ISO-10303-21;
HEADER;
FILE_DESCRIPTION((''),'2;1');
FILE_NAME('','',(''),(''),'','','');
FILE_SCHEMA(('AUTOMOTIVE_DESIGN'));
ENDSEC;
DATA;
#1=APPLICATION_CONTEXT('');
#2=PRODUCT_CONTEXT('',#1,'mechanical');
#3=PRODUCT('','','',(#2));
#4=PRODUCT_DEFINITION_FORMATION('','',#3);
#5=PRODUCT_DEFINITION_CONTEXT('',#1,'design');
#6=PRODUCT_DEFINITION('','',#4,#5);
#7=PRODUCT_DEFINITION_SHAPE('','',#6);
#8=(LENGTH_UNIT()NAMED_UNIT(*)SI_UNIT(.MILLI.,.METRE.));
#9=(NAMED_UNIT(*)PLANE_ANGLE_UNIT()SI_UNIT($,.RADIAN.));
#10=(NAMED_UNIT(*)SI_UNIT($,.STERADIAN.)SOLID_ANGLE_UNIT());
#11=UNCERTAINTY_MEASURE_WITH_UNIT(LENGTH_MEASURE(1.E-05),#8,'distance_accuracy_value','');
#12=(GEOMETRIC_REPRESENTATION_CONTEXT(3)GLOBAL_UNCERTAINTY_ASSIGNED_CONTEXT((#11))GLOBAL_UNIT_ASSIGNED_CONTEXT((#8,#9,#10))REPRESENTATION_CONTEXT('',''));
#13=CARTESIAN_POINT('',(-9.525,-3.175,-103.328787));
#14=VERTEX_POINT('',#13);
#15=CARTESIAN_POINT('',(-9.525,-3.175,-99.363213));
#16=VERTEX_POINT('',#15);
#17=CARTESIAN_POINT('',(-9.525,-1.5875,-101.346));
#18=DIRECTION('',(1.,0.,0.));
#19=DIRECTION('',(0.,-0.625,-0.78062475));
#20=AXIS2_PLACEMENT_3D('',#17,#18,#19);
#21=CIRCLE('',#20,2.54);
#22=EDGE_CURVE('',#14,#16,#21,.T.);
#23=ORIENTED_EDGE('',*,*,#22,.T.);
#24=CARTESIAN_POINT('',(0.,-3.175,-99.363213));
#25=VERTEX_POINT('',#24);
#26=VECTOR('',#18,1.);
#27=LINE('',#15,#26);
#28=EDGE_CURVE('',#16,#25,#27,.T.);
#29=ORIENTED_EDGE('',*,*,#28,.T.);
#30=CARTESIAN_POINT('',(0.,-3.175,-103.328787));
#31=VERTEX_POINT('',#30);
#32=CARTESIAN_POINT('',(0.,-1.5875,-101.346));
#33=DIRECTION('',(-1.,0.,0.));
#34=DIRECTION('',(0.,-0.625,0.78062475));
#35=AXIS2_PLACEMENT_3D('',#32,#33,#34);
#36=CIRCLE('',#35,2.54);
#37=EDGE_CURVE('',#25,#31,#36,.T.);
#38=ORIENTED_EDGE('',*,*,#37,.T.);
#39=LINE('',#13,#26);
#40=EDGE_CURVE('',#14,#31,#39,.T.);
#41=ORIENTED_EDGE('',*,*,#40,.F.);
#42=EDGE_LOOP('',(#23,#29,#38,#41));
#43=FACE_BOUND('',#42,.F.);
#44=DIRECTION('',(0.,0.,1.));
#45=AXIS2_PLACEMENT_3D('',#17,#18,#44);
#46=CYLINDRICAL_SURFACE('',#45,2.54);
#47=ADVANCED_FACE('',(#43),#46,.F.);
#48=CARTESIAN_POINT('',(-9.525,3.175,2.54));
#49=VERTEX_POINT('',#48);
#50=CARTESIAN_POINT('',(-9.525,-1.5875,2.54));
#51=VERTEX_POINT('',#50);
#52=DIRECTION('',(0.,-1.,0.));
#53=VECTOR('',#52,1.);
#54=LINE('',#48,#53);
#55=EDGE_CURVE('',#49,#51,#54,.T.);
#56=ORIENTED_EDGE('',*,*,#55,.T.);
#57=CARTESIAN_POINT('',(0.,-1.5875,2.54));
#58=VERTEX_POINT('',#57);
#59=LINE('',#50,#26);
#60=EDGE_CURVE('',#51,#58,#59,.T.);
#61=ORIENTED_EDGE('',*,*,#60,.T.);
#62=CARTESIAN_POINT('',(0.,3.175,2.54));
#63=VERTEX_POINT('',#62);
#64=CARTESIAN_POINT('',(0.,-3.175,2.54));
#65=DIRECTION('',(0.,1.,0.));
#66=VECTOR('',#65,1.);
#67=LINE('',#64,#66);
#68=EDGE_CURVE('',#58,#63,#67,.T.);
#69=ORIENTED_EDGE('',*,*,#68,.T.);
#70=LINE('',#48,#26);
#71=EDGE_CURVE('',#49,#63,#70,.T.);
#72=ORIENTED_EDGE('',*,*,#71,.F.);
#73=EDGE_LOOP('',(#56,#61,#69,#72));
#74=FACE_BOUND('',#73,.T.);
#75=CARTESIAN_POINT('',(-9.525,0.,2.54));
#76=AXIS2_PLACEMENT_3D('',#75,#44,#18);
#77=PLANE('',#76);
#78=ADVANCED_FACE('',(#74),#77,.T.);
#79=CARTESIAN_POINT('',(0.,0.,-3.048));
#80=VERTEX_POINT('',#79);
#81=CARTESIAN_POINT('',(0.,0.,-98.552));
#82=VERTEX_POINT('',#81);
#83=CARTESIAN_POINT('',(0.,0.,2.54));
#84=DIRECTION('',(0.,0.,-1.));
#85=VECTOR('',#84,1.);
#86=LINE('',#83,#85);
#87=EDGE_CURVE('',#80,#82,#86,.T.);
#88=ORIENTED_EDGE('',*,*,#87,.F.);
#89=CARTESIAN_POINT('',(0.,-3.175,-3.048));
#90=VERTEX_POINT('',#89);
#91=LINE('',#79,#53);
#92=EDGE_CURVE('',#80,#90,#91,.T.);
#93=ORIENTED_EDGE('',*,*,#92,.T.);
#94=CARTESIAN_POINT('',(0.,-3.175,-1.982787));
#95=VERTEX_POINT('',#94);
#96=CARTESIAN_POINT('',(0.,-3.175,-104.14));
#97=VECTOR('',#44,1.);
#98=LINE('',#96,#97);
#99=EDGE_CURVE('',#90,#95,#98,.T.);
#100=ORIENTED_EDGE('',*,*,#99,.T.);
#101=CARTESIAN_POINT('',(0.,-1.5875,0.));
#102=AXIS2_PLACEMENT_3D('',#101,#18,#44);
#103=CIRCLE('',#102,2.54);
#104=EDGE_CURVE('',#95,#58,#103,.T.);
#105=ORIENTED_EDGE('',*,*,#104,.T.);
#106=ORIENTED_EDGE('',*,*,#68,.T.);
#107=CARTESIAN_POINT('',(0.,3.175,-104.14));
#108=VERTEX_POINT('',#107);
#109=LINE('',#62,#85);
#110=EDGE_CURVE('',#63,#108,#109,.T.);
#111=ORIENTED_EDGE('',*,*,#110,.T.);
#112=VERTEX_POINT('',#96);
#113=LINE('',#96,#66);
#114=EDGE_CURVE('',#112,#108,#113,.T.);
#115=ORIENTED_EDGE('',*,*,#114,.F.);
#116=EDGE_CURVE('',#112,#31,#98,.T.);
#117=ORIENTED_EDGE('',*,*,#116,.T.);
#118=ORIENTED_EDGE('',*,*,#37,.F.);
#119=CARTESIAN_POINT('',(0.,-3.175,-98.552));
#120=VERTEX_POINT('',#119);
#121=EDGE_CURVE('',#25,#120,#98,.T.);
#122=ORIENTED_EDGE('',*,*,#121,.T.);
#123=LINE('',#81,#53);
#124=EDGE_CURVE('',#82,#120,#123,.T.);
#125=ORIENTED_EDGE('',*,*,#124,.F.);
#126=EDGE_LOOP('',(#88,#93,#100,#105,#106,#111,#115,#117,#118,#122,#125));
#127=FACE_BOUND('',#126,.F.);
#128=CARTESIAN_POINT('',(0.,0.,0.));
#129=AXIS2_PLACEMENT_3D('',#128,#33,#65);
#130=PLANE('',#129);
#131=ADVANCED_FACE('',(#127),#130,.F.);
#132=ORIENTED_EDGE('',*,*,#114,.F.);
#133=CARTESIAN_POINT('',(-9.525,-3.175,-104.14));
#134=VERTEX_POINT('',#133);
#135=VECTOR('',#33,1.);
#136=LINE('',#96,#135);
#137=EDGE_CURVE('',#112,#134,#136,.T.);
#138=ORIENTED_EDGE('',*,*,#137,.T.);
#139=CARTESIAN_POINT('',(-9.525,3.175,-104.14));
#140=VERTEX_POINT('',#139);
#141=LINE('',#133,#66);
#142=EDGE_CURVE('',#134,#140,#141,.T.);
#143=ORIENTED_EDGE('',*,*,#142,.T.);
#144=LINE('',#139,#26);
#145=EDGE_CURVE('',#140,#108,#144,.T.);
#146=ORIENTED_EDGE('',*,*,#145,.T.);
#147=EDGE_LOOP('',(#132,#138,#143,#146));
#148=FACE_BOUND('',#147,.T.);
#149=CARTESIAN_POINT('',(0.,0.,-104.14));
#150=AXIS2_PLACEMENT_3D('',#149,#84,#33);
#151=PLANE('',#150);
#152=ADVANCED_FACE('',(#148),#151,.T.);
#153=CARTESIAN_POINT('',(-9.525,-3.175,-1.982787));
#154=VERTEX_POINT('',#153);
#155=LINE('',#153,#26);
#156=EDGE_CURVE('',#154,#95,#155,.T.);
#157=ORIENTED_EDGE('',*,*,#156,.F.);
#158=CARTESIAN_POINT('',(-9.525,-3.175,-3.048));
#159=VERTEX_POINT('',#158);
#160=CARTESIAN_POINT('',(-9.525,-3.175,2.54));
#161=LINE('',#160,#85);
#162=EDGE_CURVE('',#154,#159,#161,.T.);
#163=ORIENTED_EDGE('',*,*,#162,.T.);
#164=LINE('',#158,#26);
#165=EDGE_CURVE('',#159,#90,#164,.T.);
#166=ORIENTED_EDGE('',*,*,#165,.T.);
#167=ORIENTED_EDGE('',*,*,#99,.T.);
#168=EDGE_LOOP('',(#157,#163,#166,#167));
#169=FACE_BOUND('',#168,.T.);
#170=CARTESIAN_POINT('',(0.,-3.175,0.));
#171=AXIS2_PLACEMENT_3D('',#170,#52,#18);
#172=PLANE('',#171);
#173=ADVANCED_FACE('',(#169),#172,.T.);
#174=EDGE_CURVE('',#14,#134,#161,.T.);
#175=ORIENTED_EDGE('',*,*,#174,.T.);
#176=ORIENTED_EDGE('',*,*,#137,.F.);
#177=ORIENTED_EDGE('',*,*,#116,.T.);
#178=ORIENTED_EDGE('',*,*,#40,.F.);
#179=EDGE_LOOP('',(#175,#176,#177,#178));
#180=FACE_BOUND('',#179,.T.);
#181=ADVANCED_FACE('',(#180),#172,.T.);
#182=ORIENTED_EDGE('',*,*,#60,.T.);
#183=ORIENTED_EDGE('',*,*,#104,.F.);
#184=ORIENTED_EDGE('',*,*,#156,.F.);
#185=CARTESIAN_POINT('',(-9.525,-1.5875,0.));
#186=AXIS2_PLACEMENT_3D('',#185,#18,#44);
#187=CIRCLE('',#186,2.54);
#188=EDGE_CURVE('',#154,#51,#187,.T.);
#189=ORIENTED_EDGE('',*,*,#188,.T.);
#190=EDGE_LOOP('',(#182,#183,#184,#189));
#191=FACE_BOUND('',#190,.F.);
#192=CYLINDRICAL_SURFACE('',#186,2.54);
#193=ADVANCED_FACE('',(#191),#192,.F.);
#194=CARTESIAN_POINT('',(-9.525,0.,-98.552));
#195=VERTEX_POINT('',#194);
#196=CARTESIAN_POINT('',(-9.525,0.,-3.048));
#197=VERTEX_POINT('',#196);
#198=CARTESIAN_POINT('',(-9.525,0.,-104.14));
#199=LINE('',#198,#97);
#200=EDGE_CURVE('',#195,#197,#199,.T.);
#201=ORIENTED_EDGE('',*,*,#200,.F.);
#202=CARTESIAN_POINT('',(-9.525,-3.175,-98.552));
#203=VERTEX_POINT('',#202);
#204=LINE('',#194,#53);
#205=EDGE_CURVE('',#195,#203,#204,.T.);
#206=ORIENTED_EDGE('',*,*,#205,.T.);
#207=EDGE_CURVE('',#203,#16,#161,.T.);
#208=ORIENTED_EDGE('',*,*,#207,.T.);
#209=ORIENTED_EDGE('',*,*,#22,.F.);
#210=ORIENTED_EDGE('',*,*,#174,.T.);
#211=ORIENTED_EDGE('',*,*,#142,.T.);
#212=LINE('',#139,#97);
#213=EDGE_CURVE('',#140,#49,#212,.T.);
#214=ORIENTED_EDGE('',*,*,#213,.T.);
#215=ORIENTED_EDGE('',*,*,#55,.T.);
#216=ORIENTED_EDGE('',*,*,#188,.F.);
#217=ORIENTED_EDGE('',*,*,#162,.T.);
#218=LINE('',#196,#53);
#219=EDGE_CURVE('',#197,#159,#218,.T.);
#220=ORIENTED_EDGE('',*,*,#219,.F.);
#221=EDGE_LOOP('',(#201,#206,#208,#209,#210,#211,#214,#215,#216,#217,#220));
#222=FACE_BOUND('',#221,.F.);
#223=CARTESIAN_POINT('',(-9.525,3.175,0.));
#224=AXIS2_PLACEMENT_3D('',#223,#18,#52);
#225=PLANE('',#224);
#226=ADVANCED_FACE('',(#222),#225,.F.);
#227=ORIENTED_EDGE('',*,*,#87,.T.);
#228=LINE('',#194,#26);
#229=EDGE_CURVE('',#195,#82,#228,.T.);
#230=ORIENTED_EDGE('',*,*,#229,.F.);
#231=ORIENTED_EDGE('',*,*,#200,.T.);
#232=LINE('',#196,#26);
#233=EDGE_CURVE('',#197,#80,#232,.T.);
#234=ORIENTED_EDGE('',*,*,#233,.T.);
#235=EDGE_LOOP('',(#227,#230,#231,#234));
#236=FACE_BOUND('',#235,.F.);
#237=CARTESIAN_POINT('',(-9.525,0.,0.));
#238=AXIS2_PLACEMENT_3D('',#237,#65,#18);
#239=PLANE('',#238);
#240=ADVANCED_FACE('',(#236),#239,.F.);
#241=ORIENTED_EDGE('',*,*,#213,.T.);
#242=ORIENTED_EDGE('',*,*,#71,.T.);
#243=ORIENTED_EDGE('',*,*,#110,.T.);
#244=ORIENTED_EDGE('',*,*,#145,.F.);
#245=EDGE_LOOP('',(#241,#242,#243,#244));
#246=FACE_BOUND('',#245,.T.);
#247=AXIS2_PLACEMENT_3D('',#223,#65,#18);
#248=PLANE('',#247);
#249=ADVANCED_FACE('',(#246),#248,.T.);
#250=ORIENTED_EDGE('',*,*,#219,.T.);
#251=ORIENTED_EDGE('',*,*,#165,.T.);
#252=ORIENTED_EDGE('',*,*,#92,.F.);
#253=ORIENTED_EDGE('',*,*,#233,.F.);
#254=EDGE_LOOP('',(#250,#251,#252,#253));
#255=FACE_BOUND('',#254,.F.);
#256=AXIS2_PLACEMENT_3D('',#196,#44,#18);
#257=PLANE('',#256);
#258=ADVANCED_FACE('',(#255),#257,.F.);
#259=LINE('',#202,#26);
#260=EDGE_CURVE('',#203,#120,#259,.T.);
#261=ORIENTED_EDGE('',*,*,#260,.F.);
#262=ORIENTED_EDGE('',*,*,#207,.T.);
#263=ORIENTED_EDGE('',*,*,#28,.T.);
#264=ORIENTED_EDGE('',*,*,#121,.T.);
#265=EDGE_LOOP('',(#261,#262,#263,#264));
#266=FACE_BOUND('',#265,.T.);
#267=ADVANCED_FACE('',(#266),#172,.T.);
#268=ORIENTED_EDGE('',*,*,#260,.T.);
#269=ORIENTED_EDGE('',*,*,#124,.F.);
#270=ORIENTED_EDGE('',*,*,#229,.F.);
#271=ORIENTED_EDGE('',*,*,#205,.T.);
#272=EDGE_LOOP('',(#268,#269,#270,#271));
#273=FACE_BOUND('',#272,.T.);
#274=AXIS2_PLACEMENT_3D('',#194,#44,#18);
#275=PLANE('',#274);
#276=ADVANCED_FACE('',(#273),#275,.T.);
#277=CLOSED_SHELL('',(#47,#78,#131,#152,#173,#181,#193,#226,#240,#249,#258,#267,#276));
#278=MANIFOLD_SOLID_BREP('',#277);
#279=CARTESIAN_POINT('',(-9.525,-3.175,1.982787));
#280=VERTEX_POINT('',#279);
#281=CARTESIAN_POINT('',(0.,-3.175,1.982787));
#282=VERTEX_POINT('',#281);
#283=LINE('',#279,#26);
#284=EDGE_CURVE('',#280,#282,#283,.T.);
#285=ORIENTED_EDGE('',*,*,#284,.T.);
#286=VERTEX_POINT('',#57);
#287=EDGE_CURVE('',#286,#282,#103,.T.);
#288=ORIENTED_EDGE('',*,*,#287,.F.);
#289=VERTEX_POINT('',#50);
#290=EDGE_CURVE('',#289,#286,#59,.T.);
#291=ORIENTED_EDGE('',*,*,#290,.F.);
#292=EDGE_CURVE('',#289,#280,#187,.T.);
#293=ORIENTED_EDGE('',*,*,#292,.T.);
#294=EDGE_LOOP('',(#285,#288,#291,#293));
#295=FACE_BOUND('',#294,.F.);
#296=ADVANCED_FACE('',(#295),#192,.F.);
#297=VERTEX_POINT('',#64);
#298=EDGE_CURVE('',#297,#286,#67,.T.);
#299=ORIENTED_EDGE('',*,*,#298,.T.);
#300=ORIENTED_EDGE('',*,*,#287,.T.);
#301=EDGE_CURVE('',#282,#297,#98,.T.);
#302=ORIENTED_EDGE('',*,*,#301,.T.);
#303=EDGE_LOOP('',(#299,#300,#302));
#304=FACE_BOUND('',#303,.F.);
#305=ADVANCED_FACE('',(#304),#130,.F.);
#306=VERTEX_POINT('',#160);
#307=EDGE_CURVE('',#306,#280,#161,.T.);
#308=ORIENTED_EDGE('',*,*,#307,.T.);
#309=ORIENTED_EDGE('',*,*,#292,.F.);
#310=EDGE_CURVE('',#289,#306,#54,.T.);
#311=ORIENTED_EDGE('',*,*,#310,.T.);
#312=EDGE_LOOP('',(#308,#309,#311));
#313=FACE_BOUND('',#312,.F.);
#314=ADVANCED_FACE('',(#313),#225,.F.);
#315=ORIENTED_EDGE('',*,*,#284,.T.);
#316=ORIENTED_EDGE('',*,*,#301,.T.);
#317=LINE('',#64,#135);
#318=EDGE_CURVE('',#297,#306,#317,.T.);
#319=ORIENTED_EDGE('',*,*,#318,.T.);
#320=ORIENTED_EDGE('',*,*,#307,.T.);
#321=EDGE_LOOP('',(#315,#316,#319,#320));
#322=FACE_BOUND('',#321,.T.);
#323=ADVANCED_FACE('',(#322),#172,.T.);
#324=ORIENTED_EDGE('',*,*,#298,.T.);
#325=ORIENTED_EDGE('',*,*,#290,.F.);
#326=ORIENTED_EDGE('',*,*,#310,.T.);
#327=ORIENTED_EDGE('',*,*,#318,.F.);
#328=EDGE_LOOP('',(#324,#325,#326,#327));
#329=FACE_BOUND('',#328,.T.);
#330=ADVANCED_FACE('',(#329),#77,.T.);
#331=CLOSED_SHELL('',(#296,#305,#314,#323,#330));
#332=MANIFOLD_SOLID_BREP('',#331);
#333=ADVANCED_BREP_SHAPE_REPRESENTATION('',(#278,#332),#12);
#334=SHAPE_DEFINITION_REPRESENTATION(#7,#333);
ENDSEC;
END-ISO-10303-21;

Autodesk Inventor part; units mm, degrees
ref_plane "YZ Plane" through (0, 0, 0) normal (1, 0, 0) x (0, 1, 0)
ref_plane "XZ Plane" through (0, 0, 0) normal (0, 1, 0) x (-1, 0, 0)
ref_plane "XY Plane" through (0, 0, 0) normal (0, 0, 1) x (1, 0, 0)
sketch "Sketch1" plane through (0, 0, 0) normal (0, 1, 0) x (-1, 0, 0)
  line L0 (0, 0) -> (9.525, 0)
  line L1 (9.525, 0) -> (9.525, -101.6)
  line L2 (9.525, -101.6) -> (0, -101.6)
  line L3 (0, -101.6) -> (0, 0)
  dimension "d0" = 9.525
  dimension "d1" = 101.6
extrude "Extrusion1" add sketch "Sketch1" along normal blind 3.175
sketch "Sketch2" plane through (0, 0, 0) normal (1, 0, 0) x (0, 0, -1)
  line L0 (0, 0) -> (0, 3.175) projected
  line L1 (101.6, 0) -> (101.6, 3.175) projected
  point P0 (0, 1.5875)
  point P1 (101.6, 1.5875)
sketch "Sketch3" plane through (0, 0, -101.6) normal (0, 0, -1) x (-1, 0, 0)
  line L0 (9.525, 3.175) -> (0, 3.175) projected
  line L1 (0, 0) -> (9.525, 0) projected
  line L2 (9.525, 3.175) -> (0, 3.175)
  line L3 (0, 3.175) -> (0, 0)
  line L4 (0, 0) -> (9.525, 0)
  line L5 (9.525, 0) -> (9.525, 3.175)
extrude "Extrusion2" add sketch "Sketch3" along normal blind 2.54
sketch "Sketch4" plane through (0, 0, 0) normal (0, -1, 0) x (1, 0, 0)
  point P0 (0, 0)
sketch "Sketch5" plane through (-9.525, 0, 0) normal (0, 0, 1) x (1, 0, 0)
  line L0 (0, 3.175) -> (9.525, 3.175) projected
  line L1 (0, 0) -> (9.525, 0)
  line L2 (9.525, 0) -> (9.525, 3.175)
  line L3 (9.525, 3.175) -> (0, 3.175)
  line L4 (0, 3.175) -> (0, 0)
extrude "Extrusion3" add sketch "Sketch5" along normal blind 2.54
sketch "Sketch6" plane through (0, 0, 0) normal (0, -1, 0) x (1, 0, 0)
  line L0 (0, -104.14) -> (0, 2.54) projected
  line L1 (-9.525, 2.54) -> (-9.525, -104.14) projected
  line L2 (0, 2.54) -> (-9.525, 2.54)
  line L3 (-9.525, 2.54) -> (-9.525, -3.048)
  line L4 (-9.525, -3.048) -> (0, -3.048)
  line L5 (0, -3.048) -> (0, 2.54)
  line L6 (0, -104.14) -> (-9.525, -104.14)
  line L7 (-9.525, -104.14) -> (-9.525, -98.552)
  line L8 (-9.525, -98.552) -> (0, -98.552)
  line L9 (0, -98.552) -> (0, -104.14)
  point P0 (0, 0)
  dimension "d8" = 5.588
  dimension "d9" = 5.588
extrude "Extrusion4" add sketch "Sketch6" along normal blind 3.175 contours L6 L1 L8 L0 | L4 L1 L2 L0
sketch "Sketch7" plane through (-9.525, 3.175, -104.14) normal (-1, 0, 0) x (0, 0, 1)
  circle A0 centre (2.794, -4.7625) radius 2.54
  circle A1 centre (104.14, -4.7625) radius 2.54
  circle A2 centre (2.794, -4.7625) radius 2.54
  circle A3 centre (104.14, -4.7625) radius 2.54
  point P0 (104.14, -3.175)
  dimension "d12" = 5.08
hole "Hole1" at (-9.525, -1.5875, -101.346) at (-9.525, -1.5875, 0) direction (1, 0, 0) diameter 5.08 depth 25.4 tip angle 118
properties part number "Horizontal Bar (9.25)"
